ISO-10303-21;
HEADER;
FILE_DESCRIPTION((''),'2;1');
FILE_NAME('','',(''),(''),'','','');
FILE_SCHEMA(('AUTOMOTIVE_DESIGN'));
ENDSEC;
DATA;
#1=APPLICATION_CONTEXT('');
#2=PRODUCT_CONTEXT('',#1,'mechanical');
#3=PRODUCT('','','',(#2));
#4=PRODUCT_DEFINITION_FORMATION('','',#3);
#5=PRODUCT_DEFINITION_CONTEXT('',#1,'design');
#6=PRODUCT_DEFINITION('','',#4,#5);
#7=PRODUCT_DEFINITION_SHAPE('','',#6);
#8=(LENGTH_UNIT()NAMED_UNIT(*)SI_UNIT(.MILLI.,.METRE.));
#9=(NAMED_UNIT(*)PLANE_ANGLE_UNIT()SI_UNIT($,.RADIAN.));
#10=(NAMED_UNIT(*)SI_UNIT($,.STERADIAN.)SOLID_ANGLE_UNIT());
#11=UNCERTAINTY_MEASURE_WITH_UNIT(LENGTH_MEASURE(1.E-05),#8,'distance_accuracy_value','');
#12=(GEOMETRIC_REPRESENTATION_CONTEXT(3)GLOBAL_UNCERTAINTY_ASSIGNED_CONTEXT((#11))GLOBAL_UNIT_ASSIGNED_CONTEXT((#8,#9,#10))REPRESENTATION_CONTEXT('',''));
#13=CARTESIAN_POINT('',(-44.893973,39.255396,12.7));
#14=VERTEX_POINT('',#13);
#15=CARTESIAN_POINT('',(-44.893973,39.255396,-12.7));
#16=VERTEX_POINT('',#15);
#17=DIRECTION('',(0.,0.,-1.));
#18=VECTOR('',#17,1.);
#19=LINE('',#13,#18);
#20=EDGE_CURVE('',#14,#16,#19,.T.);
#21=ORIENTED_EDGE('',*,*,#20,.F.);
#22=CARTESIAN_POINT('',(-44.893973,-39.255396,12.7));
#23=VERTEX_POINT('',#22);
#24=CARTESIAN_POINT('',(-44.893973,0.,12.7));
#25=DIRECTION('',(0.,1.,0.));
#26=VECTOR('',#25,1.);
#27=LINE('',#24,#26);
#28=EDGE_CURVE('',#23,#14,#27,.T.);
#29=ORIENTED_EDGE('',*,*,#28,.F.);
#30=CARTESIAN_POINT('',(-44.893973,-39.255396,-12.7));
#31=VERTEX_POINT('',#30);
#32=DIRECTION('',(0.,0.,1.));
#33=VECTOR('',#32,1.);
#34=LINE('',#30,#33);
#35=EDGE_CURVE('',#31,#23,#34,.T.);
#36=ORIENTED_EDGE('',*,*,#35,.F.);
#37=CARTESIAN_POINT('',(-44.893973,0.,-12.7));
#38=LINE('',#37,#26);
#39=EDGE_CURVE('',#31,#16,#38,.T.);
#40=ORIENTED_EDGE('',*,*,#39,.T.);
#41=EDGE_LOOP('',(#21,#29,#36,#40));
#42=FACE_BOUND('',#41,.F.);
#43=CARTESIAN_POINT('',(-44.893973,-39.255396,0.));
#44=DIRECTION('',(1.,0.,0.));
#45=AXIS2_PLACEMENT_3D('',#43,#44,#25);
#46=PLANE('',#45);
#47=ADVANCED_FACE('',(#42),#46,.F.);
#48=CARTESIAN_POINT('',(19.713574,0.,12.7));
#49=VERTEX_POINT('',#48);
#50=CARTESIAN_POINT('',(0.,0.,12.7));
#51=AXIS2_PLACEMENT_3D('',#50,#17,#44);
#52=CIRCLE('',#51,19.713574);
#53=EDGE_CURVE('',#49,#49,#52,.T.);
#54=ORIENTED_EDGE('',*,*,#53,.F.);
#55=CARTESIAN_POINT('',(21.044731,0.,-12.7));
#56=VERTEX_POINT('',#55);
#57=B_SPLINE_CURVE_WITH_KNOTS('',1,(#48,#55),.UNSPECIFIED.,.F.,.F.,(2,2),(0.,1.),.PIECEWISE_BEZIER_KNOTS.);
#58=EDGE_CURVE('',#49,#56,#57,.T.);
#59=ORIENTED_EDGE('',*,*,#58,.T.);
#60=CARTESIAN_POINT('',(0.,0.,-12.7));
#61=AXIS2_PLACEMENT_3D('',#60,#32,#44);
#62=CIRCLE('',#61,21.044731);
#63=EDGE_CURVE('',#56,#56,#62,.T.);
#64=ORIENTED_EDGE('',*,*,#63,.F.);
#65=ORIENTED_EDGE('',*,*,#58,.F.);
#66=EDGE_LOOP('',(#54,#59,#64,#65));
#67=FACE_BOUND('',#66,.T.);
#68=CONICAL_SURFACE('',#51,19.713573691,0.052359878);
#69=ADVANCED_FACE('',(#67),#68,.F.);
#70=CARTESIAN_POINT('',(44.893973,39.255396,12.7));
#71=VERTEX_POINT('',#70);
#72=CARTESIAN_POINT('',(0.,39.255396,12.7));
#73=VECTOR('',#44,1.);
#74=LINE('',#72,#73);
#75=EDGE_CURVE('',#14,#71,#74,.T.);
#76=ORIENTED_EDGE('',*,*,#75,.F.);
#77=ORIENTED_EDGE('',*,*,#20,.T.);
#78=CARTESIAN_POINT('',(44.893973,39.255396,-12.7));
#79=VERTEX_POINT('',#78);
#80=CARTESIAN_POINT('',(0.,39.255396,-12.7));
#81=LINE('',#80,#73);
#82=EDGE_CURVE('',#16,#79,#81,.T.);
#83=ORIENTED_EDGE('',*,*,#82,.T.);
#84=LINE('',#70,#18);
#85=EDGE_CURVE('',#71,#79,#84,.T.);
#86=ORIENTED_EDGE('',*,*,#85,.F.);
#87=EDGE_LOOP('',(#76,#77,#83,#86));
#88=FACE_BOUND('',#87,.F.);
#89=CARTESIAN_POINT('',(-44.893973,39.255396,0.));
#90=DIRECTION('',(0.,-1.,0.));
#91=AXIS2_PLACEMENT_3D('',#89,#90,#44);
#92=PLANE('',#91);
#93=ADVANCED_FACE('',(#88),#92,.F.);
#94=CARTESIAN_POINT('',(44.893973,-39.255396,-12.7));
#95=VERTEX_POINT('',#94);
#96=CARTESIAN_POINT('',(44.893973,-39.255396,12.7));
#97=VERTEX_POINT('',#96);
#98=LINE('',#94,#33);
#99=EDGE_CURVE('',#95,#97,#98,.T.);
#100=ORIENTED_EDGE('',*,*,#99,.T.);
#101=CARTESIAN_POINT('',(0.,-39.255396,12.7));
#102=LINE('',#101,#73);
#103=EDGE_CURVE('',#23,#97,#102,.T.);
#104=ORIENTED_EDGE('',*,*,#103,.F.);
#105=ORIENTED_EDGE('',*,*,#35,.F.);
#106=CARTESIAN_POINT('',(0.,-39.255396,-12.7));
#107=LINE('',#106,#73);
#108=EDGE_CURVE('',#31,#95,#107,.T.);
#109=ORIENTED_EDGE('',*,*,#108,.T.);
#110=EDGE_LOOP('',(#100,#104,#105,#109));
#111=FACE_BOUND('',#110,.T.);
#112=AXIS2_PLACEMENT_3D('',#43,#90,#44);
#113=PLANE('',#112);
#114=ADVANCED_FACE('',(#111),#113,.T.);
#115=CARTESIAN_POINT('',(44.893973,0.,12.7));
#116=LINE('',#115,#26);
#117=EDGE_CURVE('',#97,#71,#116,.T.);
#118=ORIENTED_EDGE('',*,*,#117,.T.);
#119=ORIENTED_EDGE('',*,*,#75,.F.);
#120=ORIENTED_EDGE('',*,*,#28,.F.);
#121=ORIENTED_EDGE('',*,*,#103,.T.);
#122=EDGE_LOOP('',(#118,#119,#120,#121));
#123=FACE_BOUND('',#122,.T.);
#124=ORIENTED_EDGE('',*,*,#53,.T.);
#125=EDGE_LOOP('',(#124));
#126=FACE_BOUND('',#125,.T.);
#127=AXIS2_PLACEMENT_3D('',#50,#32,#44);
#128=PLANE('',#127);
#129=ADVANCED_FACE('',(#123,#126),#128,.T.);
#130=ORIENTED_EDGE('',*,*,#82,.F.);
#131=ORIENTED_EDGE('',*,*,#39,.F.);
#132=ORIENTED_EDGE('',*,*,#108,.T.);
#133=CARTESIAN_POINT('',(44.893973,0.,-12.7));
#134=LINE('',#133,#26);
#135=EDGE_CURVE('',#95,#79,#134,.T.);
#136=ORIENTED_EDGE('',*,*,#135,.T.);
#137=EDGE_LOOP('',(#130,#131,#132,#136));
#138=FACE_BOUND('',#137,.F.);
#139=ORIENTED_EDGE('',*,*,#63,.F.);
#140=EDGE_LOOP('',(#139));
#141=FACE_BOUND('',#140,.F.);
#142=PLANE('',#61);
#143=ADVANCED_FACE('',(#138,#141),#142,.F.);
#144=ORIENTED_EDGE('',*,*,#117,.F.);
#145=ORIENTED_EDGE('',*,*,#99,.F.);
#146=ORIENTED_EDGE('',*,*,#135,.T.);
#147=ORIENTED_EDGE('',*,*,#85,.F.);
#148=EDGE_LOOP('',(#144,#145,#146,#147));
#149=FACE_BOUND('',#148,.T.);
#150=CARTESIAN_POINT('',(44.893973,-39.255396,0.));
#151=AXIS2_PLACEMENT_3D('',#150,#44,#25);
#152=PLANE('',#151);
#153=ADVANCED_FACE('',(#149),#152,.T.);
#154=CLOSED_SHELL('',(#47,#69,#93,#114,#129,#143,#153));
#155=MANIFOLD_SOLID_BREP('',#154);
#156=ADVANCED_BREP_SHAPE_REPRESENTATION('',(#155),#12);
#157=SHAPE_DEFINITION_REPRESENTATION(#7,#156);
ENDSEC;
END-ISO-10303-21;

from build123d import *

# Parameters (mm, degrees)
F0_W          = 89.7879451513
F0_H          = 78.5107910633
F1_DEPTH      = 12.7
F2_R          = 19.7135736906
F3_DEPTH      = 25.4
F3_TAPER      = -3
F3_DEPTH_BACK = 25.4


with BuildPart() as f1:
    # F0 (on Top) → F1 (new body, symmetric)
    with BuildSketch(Plane.XY):
        Rectangle(F0_W, F0_H)
    extrude(amount=F1_DEPTH, both=True)

    # F2 (on face) → F3 (cut, two sides)
    with BuildSketch(Plane.XY.offset(12.7)) as f3_sk:
        Circle(F2_R)
    extrude(amount=-F3_DEPTH, taper=F3_TAPER, mode=Mode.SUBTRACT)
    extrude(f3_sk.sketch, amount=F3_DEPTH_BACK, mode=Mode.SUBTRACT)


solid = f1.part
